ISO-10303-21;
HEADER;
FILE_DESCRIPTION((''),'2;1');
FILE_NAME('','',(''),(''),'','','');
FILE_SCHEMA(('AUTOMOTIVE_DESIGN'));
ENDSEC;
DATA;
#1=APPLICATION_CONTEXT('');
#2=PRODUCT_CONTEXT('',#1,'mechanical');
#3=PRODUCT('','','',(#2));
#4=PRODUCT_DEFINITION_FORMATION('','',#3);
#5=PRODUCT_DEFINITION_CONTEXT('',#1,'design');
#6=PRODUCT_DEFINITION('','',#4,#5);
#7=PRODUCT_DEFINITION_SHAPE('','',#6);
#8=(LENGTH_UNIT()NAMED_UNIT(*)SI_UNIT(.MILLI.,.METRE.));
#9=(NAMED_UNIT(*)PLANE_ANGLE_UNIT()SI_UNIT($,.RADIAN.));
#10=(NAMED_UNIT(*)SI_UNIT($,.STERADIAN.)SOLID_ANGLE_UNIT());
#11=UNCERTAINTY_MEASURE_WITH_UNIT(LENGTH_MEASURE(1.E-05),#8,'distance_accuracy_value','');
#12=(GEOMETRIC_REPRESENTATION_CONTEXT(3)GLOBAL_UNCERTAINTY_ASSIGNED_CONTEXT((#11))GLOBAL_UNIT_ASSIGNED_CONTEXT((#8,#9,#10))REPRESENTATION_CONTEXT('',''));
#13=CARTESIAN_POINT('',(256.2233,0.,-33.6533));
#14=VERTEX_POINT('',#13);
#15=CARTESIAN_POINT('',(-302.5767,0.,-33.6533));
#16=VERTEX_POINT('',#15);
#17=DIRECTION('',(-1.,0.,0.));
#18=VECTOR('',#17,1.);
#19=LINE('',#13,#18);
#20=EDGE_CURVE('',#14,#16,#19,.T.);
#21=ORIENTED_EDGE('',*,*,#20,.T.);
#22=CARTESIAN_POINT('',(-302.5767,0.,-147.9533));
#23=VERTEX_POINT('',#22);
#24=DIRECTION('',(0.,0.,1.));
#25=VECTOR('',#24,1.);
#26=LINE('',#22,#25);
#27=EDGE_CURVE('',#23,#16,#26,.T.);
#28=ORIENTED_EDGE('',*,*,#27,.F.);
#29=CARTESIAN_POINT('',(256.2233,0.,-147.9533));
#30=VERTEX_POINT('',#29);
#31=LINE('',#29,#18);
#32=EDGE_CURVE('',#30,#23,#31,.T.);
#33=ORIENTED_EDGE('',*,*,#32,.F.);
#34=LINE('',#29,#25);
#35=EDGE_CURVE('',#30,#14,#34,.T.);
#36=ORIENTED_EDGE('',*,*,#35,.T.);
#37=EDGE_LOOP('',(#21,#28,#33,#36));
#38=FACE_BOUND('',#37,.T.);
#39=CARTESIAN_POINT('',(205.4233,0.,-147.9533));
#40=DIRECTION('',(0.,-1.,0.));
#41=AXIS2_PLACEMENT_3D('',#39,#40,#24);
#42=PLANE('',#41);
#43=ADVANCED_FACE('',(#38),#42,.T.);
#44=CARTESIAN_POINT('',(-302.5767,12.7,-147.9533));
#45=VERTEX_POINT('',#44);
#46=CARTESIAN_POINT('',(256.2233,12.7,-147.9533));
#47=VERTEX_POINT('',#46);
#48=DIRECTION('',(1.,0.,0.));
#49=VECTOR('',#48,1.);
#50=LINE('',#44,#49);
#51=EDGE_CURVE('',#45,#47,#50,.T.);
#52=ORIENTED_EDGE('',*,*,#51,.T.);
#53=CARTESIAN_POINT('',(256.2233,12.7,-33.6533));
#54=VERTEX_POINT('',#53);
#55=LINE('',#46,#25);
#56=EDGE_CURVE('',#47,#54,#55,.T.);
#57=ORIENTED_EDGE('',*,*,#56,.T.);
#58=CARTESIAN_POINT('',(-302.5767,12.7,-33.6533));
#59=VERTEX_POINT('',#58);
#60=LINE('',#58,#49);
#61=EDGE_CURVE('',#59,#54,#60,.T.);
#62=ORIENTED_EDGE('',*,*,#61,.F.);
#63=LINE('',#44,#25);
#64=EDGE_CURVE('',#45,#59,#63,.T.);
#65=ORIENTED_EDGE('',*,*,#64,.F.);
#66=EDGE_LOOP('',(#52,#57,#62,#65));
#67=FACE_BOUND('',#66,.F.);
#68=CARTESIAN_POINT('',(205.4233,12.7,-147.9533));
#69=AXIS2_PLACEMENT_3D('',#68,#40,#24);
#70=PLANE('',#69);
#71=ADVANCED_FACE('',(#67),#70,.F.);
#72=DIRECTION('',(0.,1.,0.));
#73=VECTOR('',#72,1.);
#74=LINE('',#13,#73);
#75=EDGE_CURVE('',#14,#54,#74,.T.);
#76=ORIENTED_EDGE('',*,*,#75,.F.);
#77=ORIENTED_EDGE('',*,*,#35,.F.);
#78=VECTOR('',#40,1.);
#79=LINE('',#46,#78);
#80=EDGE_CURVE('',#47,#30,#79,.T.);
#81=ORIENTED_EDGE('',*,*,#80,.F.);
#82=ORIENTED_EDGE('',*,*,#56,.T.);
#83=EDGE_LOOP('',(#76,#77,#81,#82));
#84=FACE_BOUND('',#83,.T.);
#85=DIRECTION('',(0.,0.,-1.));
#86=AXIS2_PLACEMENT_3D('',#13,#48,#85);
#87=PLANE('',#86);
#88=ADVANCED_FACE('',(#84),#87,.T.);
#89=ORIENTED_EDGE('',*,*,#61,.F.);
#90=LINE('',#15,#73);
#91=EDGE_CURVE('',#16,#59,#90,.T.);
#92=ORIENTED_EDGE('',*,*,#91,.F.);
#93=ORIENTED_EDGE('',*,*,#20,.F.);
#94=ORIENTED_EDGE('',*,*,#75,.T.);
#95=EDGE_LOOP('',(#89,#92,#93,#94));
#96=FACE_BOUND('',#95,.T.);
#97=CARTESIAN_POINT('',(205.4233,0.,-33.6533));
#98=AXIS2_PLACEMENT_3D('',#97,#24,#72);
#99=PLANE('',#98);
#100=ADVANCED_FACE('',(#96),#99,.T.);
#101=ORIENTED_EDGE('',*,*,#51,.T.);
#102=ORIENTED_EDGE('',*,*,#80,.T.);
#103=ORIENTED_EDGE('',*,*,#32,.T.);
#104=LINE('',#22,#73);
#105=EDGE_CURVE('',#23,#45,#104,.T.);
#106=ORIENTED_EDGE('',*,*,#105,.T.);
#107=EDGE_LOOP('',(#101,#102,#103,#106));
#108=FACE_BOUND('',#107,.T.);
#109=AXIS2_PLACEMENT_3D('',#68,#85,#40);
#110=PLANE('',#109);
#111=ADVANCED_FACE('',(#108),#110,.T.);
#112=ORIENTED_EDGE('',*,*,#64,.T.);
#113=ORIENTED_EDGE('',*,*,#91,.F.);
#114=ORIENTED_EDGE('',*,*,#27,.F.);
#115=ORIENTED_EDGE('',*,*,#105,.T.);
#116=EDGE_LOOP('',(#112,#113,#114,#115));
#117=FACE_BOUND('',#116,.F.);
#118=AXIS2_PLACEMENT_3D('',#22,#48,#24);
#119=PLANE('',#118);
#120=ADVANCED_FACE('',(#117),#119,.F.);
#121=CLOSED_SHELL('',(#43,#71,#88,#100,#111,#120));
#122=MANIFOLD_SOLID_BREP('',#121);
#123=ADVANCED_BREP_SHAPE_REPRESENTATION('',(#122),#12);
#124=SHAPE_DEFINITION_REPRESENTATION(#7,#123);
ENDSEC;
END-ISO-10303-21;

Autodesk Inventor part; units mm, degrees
ref_plane "YZ Plane" through (0, 0, 0) normal (1, 0, 0) x (0, 1, 0)
ref_plane "XZ Plane" through (0, 0, 0) normal (0, 1, 0) x (-1, 0, 0)
ref_plane "XY Plane" through (0, 0, 0) normal (0, 0, 1) x (1, 0, 0)
sketch "Sketch1" plane through (0, 0, 0) normal (0, 1, 0) x (-1, 0, 0)
  line L0 (302.5767, -33.6533) -> (-154.6233, -33.6533)
  line L1 (-154.6233, -33.6533) -> (-154.6233, -147.9533)
  line L2 (-154.6233, -147.9533) -> (302.5767, -147.9533)
  line L3 (302.5767, -147.9533) -> (302.5767, -33.6533)
  line L4 (-154.6233, -147.9533) -> (-205.4233, -147.9533)
  line L5 (-205.4233, -147.9533) -> (-205.4233, -33.6533)
  line L6 (-205.4233, -33.6533) -> (-154.6233, -33.6533)
  line L7 (-154.6233, -33.6533) -> (-154.6233, -147.9533)
  point P0 (0, 0)
  dimension "d0" = 457.2
  dimension "d1" = 114.3
  dimension "d4" = 50.8
extrude "Extrusion1" add sketch "Sketch1" along normal blind 12.7 contours L3 L2 L1 L0
sketch "Sketch2" plane through (154.6233, 0, -33.6533) normal (1, 0, 0) x (0, 0, -1)
  line L0 (0, 12.7) -> (114.3, 12.7) projected
  line L1 (0, 12.7) -> (114.3, 12.7)
  line L2 (114.3, 12.7) -> (114.3, 0)
  line L3 (114.3, 0) -> (0, 0)
  line L4 (0, 0) -> (0, 12.7)
  point P0 (-33.6533, 0)
extrude "Extrusion2" add sketch "Sketch2" along normal blind 50.8
sketch "Sketch3" plane through (205.4233, 0, -33.6533) normal (1, 0, 0) x (0, 0, -1)
  line L0 (114.3, 12.7) -> (0, 12.7) projected
  line L1 (0, 12.7) -> (114.3, 12.7)
  line L2 (114.3, 12.7) -> (114.3, 0)
  line L3 (114.3, 0) -> (0, 0)
  line L4 (0, 0) -> (0, 12.7)
  point P0 (-33.6533, 0)
extrude "Extrusion3" add sketch "Sketch3" along normal blind 50.8
properties part number "Control pipe holder"
